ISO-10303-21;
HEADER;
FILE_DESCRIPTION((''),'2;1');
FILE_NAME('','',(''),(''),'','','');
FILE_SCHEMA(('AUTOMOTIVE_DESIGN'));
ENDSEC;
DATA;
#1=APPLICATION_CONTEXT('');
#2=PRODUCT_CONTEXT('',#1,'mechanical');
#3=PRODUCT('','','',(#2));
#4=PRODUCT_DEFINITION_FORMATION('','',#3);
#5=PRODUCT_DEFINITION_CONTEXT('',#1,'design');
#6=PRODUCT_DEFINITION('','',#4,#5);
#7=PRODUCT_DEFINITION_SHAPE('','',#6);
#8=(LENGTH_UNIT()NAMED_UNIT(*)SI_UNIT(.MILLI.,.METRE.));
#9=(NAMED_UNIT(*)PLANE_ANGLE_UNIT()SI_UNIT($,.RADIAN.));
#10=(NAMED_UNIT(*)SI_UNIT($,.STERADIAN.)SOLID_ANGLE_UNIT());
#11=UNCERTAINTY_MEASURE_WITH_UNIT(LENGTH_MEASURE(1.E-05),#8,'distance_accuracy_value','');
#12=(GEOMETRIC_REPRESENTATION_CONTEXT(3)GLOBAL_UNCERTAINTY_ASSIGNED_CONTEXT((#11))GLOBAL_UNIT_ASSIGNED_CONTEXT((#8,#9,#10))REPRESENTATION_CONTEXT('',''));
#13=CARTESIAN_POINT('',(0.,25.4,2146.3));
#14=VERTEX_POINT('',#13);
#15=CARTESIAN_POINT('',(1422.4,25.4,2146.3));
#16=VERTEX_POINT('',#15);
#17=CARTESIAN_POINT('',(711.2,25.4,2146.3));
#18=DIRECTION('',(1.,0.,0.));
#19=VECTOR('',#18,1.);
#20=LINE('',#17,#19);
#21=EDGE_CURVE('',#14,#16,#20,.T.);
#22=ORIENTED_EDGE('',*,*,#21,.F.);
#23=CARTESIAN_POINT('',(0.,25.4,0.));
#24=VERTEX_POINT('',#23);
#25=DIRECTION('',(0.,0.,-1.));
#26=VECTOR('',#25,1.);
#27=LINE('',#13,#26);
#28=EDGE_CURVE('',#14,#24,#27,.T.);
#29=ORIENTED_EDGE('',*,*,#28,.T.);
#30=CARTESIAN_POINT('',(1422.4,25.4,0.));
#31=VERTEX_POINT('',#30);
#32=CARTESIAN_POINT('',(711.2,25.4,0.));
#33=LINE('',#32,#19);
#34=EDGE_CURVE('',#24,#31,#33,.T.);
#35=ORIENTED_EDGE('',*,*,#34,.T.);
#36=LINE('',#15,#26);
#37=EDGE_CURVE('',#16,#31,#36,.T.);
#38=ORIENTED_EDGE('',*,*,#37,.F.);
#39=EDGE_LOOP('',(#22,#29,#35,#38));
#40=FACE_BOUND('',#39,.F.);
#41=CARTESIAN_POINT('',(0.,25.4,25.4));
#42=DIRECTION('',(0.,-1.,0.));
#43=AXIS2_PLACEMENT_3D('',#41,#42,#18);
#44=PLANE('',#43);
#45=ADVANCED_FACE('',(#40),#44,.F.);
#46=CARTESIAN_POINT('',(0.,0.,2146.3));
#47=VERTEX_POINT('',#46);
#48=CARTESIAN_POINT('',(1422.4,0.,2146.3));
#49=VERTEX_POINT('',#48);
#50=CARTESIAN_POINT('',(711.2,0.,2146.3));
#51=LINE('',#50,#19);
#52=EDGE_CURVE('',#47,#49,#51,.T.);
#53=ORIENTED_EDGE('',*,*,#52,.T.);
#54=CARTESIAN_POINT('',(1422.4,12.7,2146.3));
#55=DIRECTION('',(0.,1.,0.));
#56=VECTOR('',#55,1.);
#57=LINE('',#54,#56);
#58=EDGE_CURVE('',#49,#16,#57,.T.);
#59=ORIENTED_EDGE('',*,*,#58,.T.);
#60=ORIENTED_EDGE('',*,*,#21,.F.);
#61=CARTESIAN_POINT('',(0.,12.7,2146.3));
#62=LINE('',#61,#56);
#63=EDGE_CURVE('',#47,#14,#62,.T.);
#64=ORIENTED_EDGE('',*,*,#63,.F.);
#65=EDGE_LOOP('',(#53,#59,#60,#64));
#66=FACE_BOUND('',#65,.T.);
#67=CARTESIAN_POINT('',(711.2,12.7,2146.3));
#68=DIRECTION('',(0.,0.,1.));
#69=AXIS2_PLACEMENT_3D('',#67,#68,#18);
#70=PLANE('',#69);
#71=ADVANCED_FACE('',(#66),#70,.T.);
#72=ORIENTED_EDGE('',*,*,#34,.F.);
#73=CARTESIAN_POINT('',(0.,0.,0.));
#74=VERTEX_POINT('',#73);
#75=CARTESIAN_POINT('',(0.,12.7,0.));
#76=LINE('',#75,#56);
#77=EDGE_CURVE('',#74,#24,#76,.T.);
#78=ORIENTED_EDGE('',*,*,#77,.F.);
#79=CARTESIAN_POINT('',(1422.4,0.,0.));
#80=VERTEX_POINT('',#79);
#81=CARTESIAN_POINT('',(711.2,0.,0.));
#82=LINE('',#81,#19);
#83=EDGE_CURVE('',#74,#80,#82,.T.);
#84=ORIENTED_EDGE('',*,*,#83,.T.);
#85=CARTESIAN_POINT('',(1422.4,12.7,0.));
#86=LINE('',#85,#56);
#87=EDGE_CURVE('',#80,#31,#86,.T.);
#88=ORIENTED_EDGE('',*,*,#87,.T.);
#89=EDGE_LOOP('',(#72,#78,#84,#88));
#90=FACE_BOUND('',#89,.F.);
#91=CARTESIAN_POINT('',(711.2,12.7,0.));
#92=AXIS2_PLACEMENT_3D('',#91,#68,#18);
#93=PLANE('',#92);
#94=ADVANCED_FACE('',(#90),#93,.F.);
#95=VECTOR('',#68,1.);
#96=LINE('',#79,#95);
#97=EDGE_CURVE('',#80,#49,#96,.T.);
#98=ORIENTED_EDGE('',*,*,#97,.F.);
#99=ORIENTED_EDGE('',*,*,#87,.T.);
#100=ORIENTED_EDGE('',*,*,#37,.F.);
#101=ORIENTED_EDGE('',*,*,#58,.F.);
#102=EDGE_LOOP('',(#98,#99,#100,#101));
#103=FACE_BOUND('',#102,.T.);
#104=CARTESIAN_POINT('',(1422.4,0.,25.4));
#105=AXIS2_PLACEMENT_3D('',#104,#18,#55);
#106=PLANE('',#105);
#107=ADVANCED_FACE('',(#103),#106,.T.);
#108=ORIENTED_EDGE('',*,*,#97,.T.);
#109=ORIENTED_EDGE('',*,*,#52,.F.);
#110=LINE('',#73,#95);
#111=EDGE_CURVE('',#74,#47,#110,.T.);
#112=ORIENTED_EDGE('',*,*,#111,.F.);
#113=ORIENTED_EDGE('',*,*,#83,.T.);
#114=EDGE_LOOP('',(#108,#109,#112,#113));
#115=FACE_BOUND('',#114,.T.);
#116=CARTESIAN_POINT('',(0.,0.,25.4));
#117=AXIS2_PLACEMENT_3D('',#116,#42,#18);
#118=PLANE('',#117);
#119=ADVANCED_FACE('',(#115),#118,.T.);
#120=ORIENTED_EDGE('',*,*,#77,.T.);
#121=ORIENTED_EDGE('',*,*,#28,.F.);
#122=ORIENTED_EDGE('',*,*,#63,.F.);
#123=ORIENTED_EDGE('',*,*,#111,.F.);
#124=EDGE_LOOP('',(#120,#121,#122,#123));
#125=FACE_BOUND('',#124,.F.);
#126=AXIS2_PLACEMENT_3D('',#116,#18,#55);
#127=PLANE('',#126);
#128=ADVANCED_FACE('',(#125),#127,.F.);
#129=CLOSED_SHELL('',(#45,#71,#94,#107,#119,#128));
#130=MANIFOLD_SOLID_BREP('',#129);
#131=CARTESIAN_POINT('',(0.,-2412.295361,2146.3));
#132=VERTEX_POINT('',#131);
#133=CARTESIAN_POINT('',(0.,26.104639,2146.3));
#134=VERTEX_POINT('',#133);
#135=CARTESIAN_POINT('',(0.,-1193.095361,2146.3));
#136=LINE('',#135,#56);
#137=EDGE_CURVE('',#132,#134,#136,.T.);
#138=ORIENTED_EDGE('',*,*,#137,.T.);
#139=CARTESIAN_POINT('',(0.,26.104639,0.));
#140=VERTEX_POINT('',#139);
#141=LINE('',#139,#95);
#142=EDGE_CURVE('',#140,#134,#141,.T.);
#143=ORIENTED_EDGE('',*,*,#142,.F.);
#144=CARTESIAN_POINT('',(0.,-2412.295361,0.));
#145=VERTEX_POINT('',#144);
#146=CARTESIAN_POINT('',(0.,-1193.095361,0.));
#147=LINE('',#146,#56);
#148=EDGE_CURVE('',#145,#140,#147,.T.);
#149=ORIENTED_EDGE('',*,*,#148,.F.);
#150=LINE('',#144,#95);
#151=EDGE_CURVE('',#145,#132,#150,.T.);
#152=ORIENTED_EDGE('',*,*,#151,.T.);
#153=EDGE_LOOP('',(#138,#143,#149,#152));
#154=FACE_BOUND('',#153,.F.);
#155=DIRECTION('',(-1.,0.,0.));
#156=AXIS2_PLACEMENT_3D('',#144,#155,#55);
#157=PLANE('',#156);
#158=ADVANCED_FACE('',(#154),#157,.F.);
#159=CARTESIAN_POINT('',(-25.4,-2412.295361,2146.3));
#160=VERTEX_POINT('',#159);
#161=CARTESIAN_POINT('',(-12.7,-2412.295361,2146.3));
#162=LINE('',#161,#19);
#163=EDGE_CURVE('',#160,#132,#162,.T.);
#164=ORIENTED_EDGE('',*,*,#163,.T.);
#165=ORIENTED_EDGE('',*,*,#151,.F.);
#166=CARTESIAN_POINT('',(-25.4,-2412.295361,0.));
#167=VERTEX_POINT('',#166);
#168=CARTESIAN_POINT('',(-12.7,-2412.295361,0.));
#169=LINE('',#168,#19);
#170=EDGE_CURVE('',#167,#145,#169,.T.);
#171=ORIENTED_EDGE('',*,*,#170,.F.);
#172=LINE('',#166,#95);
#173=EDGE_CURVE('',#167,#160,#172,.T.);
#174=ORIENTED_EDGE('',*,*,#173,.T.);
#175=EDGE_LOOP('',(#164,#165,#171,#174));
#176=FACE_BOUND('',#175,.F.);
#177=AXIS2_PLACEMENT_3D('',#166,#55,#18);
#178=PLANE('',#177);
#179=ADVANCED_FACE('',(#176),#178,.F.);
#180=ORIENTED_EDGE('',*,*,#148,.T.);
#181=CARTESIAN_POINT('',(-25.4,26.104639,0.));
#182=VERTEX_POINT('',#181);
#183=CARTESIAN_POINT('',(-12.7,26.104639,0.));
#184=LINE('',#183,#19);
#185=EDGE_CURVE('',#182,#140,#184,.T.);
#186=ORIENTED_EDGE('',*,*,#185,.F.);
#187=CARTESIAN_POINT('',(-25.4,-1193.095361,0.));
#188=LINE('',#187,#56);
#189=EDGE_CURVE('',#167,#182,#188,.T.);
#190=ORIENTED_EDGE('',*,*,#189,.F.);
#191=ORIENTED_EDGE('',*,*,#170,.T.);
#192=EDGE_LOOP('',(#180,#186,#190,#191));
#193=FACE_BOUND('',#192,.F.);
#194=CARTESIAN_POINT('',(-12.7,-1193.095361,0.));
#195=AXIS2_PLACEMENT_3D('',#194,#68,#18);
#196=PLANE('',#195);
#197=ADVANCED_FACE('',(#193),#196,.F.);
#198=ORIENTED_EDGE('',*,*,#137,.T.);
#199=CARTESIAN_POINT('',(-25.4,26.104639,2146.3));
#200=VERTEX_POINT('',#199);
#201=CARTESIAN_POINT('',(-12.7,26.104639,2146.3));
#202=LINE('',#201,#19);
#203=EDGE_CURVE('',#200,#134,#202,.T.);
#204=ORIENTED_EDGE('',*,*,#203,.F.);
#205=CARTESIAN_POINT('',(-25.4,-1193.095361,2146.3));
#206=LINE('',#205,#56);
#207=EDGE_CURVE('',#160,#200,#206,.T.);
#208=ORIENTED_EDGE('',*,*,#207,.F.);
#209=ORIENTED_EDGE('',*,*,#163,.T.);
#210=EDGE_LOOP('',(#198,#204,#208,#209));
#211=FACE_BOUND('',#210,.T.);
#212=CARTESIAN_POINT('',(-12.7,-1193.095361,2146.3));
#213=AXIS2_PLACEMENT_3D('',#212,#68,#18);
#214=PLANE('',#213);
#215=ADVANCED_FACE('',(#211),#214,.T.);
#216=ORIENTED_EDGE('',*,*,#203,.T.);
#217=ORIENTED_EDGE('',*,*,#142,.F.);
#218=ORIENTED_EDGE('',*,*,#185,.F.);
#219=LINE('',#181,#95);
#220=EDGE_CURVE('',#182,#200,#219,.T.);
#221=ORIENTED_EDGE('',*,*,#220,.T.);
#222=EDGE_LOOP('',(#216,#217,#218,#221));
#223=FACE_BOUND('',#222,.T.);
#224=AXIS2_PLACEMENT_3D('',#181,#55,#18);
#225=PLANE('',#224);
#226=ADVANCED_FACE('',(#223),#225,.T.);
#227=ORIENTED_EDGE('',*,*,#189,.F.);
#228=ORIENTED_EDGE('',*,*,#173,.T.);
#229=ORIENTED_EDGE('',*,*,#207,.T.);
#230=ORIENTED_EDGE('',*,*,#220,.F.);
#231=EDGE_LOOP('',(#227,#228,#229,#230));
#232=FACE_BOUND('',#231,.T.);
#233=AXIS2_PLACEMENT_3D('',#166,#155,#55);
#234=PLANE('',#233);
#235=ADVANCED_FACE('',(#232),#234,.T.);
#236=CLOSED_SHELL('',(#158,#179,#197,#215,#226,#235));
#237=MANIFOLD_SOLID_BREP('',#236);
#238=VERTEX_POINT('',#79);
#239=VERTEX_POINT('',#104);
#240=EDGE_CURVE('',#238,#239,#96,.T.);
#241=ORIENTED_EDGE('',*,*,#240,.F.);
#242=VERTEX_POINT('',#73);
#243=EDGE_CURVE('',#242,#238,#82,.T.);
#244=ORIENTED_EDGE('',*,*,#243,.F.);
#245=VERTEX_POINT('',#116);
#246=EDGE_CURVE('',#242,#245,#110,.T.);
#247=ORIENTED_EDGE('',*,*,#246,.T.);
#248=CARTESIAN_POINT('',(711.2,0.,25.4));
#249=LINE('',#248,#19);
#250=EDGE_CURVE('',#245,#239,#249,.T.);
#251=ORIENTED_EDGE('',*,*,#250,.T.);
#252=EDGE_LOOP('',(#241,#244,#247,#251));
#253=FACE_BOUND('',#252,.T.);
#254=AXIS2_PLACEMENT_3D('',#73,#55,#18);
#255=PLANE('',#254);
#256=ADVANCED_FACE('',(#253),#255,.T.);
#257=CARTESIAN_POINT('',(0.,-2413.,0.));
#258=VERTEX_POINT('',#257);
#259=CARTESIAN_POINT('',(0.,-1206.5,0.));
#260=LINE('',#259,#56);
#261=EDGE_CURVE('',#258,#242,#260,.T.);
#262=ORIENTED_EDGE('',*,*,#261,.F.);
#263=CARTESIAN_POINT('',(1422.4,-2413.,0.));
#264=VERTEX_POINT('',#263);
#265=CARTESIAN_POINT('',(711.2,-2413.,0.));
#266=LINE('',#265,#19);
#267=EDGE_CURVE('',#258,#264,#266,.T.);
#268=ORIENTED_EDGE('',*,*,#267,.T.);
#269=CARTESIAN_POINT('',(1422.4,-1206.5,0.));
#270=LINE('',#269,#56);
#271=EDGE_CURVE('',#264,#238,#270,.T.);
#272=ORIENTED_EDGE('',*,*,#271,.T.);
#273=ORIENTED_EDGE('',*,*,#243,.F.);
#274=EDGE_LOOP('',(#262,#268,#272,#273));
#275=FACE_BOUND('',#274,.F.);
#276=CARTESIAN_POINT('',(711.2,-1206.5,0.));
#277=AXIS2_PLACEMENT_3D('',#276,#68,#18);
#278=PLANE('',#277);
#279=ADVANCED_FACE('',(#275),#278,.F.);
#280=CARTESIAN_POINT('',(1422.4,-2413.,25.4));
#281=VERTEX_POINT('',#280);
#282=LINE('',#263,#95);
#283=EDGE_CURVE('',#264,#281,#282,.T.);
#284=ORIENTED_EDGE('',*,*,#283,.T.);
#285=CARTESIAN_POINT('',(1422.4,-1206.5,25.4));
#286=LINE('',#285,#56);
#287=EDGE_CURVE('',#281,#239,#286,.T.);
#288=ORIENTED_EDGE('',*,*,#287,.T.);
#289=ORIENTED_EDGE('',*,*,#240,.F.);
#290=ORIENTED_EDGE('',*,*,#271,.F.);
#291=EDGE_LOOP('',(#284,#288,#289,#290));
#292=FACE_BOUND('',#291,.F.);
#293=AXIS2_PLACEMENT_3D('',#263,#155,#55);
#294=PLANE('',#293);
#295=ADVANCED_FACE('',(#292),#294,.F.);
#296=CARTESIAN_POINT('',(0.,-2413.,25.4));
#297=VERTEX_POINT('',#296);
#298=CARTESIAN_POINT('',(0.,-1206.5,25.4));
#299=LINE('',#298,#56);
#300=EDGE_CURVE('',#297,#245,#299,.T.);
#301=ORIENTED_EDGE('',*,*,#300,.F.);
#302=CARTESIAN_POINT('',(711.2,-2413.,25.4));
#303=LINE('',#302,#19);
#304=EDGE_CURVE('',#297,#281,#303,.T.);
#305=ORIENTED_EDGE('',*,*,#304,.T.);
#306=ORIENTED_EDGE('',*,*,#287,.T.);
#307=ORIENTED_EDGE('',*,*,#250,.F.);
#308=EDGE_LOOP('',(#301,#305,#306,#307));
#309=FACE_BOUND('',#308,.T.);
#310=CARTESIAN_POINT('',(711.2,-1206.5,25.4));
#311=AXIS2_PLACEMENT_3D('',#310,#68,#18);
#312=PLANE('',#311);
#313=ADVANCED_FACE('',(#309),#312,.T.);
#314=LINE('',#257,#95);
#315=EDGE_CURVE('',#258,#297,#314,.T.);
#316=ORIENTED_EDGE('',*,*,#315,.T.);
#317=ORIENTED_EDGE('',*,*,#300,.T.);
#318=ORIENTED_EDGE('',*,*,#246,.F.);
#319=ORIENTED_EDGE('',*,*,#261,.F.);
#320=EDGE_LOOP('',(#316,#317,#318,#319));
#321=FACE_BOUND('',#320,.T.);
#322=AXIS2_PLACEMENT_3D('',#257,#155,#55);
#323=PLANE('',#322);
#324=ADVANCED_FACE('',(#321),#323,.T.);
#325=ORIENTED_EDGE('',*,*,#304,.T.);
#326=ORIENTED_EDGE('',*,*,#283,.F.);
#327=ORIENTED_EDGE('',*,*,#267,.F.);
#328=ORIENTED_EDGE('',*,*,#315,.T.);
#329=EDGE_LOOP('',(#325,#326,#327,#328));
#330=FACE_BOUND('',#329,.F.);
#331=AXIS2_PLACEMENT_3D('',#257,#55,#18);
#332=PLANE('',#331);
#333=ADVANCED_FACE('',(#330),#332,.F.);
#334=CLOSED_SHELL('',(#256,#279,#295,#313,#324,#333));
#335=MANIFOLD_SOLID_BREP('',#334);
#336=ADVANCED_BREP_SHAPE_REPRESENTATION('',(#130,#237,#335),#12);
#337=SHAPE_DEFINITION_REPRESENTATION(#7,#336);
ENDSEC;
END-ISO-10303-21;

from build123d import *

# Parameters (mm, degrees)
F0_W          = 1422.4
F0_H          = 2413
F1_DEPTH      = 25.4
F2_W          = 1422.4
F2_H          = 25.4
F3_DEPTH      = 2120.9
F3_DEPTH_BACK = 25.4
F4_W          = 25.4
F4_H          = 2438.4
F5_DEPTH      = 2146.3


with BuildPart() as f1:
    # F0 (on Top) → F1 (new body)
    with BuildSketch(Plane.XY):
        with Locations((711.2, -1206.5)):
            Rectangle(F0_W, F0_H)
    extrude(amount=F1_DEPTH)


with BuildPart() as f3:
    # F2 (on face) → F3 (new body, two sides)
    with BuildSketch(Plane.XY.offset(25.4)) as f3_sk:
        with Locations((711.2, 12.7)):
            Rectangle(F2_W, F2_H)
    extrude(amount=F3_DEPTH)
    extrude(f3_sk.sketch, amount=-F3_DEPTH_BACK)


with BuildPart() as f5:
    # F4 (on Top) → F5 (new body)
    with BuildSketch(Plane.XY):
        with Locations((-12.7, -1193.095361)):
            Rectangle(F4_W, F4_H)
    extrude(amount=F5_DEPTH)


solid = Compound([f1.part, f3.part, f5.part])
